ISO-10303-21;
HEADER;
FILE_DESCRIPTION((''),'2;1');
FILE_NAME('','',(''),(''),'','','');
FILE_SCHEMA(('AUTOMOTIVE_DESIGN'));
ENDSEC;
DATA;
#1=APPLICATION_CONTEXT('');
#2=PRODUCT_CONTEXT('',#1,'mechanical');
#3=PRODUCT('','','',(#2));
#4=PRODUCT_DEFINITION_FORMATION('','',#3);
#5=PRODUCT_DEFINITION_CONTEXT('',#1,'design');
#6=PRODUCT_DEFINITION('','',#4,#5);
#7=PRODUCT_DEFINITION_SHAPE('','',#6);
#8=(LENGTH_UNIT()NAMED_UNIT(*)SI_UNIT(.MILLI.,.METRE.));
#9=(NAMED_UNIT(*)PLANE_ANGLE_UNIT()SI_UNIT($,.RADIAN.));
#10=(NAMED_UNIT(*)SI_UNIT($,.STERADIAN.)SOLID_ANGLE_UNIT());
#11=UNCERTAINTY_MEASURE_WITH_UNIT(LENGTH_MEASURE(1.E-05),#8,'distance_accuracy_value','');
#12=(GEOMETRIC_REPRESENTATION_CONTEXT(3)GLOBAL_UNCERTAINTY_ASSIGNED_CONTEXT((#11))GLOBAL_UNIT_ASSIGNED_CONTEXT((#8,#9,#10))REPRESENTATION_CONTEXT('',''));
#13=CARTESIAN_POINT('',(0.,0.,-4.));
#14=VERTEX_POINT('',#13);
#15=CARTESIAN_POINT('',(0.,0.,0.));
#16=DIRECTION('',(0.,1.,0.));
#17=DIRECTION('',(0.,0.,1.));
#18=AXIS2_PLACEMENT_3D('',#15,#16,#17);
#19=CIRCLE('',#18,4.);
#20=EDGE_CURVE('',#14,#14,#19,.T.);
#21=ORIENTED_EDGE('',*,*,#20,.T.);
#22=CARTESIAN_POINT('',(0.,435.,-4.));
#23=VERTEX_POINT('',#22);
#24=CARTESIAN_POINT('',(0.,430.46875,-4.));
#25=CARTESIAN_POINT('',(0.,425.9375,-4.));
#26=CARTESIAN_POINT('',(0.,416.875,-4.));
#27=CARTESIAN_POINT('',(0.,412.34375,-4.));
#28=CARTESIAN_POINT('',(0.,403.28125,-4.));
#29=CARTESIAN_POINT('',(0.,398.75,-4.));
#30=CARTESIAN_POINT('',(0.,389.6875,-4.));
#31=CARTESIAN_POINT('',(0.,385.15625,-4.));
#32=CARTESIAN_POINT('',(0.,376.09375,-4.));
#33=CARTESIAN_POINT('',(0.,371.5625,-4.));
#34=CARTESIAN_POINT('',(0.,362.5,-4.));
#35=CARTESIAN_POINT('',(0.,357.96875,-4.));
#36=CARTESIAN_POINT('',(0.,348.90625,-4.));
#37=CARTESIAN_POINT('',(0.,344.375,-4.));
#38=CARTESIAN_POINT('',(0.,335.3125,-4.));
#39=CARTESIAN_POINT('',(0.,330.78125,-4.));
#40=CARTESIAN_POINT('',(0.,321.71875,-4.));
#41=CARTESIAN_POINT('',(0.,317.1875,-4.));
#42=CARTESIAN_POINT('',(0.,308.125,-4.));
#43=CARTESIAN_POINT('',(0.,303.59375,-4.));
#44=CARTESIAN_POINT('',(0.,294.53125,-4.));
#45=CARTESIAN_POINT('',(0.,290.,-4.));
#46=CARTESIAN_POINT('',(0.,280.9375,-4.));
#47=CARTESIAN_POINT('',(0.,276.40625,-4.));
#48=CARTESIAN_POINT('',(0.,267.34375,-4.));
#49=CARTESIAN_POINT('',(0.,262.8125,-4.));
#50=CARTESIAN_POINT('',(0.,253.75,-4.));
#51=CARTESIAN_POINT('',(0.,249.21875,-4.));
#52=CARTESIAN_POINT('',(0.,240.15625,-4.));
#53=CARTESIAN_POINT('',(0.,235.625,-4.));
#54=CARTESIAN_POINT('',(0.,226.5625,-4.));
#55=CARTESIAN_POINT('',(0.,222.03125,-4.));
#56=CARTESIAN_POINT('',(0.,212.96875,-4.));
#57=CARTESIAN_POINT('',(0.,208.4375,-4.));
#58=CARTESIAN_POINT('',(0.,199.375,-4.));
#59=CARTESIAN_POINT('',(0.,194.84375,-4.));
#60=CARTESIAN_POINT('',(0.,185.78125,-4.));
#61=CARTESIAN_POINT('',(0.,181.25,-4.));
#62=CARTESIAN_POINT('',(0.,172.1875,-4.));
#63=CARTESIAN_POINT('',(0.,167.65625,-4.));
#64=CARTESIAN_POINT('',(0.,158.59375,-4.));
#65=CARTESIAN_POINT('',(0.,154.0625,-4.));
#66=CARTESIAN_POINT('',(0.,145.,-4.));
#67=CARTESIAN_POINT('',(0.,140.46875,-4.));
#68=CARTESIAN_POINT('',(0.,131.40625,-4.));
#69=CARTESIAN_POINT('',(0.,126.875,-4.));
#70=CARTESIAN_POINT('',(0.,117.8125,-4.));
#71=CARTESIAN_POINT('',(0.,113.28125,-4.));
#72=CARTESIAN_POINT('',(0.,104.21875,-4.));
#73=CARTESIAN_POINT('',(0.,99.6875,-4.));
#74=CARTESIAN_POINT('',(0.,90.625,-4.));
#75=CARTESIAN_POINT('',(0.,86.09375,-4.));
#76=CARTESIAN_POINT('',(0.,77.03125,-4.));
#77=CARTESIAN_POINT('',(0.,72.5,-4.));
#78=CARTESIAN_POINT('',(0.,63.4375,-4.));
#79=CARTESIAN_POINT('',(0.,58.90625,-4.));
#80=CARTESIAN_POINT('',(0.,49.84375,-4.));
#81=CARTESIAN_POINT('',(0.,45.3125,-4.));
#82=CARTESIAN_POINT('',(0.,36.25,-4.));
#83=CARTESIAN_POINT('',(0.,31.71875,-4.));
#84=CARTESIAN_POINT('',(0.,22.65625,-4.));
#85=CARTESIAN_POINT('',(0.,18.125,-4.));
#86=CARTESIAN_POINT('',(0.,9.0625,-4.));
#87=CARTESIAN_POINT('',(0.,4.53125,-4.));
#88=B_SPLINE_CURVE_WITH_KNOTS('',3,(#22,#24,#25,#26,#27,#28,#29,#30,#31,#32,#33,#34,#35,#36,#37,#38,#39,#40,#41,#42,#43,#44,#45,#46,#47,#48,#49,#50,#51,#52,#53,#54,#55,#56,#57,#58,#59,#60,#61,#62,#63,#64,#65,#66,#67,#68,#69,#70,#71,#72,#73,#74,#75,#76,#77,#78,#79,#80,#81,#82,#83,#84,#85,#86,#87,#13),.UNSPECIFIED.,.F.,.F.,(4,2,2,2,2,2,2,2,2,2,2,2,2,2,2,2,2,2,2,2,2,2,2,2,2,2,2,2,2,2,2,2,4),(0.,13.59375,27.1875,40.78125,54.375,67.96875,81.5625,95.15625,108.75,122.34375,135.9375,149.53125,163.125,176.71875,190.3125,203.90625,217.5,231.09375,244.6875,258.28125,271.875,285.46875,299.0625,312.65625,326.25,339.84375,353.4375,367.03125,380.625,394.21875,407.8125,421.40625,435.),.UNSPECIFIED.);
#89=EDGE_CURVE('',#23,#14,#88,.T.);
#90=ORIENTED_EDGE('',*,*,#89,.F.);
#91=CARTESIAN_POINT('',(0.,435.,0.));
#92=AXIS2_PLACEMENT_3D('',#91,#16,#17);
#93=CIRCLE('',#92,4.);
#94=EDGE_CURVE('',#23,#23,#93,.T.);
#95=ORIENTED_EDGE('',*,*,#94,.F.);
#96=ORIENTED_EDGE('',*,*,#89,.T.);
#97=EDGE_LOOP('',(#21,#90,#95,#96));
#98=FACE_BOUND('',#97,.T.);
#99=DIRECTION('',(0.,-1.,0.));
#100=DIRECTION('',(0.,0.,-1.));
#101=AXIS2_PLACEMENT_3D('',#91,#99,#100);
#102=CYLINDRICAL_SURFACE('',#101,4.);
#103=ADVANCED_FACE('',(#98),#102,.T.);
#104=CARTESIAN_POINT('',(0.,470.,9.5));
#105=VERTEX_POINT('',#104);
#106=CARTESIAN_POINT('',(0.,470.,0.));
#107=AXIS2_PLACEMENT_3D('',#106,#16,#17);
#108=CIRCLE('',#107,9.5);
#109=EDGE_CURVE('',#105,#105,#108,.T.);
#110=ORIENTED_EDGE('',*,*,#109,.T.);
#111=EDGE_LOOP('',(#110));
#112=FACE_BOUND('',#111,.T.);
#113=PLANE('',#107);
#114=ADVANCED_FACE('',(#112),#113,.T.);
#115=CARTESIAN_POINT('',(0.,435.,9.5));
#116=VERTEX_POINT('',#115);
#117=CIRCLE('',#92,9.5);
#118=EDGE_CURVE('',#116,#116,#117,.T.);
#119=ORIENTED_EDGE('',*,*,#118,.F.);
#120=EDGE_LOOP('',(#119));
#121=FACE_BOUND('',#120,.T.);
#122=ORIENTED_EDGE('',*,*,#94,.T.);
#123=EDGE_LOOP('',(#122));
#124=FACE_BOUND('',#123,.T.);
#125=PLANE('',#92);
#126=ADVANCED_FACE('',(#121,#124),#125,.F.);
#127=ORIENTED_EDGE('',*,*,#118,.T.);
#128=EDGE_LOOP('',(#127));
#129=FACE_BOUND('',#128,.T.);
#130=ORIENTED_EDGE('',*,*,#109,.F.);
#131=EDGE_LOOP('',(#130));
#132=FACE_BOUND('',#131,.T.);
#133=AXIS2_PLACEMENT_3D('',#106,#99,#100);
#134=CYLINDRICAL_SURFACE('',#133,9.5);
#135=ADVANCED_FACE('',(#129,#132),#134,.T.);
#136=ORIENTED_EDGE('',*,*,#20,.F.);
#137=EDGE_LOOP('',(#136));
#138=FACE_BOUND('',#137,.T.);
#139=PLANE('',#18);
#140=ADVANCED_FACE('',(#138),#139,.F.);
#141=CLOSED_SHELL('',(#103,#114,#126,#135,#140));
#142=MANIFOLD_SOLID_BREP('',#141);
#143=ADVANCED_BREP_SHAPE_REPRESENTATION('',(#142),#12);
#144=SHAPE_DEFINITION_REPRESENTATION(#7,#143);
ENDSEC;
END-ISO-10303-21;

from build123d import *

# Parameters (mm, degrees)
ESQUISSE1_R        = 4
BOSS_EXTRU_1_DEPTH = 435
ESQUISSE2_R        = 9.5
BOSS_EXTRU_2_DEPTH = 35


with BuildPart() as part:
    # Esquisse1 → Boss.-Extru.1 (new body)
    with BuildSketch(Plane(origin=(0, 0, 0), x_dir=(1, 0, 0), z_dir=(0, 1, 0))):
        with Locations(Location((0, 0, 0), (0, 0, 90))):
            Circle(ESQUISSE1_R)
    extrude(amount=BOSS_EXTRU_1_DEPTH)

    # Esquisse2 → Boss.-Extru.2 (add)
    with BuildSketch(Plane(origin=(0, 435, 0), x_dir=(1, 0, 0), z_dir=(0, 1, 0))):
        with Locations(Location((0, 0, 0), (0, 0, 270))):
            Circle(ESQUISSE2_R)
    extrude(amount=BOSS_EXTRU_2_DEPTH)


solid = part.part
